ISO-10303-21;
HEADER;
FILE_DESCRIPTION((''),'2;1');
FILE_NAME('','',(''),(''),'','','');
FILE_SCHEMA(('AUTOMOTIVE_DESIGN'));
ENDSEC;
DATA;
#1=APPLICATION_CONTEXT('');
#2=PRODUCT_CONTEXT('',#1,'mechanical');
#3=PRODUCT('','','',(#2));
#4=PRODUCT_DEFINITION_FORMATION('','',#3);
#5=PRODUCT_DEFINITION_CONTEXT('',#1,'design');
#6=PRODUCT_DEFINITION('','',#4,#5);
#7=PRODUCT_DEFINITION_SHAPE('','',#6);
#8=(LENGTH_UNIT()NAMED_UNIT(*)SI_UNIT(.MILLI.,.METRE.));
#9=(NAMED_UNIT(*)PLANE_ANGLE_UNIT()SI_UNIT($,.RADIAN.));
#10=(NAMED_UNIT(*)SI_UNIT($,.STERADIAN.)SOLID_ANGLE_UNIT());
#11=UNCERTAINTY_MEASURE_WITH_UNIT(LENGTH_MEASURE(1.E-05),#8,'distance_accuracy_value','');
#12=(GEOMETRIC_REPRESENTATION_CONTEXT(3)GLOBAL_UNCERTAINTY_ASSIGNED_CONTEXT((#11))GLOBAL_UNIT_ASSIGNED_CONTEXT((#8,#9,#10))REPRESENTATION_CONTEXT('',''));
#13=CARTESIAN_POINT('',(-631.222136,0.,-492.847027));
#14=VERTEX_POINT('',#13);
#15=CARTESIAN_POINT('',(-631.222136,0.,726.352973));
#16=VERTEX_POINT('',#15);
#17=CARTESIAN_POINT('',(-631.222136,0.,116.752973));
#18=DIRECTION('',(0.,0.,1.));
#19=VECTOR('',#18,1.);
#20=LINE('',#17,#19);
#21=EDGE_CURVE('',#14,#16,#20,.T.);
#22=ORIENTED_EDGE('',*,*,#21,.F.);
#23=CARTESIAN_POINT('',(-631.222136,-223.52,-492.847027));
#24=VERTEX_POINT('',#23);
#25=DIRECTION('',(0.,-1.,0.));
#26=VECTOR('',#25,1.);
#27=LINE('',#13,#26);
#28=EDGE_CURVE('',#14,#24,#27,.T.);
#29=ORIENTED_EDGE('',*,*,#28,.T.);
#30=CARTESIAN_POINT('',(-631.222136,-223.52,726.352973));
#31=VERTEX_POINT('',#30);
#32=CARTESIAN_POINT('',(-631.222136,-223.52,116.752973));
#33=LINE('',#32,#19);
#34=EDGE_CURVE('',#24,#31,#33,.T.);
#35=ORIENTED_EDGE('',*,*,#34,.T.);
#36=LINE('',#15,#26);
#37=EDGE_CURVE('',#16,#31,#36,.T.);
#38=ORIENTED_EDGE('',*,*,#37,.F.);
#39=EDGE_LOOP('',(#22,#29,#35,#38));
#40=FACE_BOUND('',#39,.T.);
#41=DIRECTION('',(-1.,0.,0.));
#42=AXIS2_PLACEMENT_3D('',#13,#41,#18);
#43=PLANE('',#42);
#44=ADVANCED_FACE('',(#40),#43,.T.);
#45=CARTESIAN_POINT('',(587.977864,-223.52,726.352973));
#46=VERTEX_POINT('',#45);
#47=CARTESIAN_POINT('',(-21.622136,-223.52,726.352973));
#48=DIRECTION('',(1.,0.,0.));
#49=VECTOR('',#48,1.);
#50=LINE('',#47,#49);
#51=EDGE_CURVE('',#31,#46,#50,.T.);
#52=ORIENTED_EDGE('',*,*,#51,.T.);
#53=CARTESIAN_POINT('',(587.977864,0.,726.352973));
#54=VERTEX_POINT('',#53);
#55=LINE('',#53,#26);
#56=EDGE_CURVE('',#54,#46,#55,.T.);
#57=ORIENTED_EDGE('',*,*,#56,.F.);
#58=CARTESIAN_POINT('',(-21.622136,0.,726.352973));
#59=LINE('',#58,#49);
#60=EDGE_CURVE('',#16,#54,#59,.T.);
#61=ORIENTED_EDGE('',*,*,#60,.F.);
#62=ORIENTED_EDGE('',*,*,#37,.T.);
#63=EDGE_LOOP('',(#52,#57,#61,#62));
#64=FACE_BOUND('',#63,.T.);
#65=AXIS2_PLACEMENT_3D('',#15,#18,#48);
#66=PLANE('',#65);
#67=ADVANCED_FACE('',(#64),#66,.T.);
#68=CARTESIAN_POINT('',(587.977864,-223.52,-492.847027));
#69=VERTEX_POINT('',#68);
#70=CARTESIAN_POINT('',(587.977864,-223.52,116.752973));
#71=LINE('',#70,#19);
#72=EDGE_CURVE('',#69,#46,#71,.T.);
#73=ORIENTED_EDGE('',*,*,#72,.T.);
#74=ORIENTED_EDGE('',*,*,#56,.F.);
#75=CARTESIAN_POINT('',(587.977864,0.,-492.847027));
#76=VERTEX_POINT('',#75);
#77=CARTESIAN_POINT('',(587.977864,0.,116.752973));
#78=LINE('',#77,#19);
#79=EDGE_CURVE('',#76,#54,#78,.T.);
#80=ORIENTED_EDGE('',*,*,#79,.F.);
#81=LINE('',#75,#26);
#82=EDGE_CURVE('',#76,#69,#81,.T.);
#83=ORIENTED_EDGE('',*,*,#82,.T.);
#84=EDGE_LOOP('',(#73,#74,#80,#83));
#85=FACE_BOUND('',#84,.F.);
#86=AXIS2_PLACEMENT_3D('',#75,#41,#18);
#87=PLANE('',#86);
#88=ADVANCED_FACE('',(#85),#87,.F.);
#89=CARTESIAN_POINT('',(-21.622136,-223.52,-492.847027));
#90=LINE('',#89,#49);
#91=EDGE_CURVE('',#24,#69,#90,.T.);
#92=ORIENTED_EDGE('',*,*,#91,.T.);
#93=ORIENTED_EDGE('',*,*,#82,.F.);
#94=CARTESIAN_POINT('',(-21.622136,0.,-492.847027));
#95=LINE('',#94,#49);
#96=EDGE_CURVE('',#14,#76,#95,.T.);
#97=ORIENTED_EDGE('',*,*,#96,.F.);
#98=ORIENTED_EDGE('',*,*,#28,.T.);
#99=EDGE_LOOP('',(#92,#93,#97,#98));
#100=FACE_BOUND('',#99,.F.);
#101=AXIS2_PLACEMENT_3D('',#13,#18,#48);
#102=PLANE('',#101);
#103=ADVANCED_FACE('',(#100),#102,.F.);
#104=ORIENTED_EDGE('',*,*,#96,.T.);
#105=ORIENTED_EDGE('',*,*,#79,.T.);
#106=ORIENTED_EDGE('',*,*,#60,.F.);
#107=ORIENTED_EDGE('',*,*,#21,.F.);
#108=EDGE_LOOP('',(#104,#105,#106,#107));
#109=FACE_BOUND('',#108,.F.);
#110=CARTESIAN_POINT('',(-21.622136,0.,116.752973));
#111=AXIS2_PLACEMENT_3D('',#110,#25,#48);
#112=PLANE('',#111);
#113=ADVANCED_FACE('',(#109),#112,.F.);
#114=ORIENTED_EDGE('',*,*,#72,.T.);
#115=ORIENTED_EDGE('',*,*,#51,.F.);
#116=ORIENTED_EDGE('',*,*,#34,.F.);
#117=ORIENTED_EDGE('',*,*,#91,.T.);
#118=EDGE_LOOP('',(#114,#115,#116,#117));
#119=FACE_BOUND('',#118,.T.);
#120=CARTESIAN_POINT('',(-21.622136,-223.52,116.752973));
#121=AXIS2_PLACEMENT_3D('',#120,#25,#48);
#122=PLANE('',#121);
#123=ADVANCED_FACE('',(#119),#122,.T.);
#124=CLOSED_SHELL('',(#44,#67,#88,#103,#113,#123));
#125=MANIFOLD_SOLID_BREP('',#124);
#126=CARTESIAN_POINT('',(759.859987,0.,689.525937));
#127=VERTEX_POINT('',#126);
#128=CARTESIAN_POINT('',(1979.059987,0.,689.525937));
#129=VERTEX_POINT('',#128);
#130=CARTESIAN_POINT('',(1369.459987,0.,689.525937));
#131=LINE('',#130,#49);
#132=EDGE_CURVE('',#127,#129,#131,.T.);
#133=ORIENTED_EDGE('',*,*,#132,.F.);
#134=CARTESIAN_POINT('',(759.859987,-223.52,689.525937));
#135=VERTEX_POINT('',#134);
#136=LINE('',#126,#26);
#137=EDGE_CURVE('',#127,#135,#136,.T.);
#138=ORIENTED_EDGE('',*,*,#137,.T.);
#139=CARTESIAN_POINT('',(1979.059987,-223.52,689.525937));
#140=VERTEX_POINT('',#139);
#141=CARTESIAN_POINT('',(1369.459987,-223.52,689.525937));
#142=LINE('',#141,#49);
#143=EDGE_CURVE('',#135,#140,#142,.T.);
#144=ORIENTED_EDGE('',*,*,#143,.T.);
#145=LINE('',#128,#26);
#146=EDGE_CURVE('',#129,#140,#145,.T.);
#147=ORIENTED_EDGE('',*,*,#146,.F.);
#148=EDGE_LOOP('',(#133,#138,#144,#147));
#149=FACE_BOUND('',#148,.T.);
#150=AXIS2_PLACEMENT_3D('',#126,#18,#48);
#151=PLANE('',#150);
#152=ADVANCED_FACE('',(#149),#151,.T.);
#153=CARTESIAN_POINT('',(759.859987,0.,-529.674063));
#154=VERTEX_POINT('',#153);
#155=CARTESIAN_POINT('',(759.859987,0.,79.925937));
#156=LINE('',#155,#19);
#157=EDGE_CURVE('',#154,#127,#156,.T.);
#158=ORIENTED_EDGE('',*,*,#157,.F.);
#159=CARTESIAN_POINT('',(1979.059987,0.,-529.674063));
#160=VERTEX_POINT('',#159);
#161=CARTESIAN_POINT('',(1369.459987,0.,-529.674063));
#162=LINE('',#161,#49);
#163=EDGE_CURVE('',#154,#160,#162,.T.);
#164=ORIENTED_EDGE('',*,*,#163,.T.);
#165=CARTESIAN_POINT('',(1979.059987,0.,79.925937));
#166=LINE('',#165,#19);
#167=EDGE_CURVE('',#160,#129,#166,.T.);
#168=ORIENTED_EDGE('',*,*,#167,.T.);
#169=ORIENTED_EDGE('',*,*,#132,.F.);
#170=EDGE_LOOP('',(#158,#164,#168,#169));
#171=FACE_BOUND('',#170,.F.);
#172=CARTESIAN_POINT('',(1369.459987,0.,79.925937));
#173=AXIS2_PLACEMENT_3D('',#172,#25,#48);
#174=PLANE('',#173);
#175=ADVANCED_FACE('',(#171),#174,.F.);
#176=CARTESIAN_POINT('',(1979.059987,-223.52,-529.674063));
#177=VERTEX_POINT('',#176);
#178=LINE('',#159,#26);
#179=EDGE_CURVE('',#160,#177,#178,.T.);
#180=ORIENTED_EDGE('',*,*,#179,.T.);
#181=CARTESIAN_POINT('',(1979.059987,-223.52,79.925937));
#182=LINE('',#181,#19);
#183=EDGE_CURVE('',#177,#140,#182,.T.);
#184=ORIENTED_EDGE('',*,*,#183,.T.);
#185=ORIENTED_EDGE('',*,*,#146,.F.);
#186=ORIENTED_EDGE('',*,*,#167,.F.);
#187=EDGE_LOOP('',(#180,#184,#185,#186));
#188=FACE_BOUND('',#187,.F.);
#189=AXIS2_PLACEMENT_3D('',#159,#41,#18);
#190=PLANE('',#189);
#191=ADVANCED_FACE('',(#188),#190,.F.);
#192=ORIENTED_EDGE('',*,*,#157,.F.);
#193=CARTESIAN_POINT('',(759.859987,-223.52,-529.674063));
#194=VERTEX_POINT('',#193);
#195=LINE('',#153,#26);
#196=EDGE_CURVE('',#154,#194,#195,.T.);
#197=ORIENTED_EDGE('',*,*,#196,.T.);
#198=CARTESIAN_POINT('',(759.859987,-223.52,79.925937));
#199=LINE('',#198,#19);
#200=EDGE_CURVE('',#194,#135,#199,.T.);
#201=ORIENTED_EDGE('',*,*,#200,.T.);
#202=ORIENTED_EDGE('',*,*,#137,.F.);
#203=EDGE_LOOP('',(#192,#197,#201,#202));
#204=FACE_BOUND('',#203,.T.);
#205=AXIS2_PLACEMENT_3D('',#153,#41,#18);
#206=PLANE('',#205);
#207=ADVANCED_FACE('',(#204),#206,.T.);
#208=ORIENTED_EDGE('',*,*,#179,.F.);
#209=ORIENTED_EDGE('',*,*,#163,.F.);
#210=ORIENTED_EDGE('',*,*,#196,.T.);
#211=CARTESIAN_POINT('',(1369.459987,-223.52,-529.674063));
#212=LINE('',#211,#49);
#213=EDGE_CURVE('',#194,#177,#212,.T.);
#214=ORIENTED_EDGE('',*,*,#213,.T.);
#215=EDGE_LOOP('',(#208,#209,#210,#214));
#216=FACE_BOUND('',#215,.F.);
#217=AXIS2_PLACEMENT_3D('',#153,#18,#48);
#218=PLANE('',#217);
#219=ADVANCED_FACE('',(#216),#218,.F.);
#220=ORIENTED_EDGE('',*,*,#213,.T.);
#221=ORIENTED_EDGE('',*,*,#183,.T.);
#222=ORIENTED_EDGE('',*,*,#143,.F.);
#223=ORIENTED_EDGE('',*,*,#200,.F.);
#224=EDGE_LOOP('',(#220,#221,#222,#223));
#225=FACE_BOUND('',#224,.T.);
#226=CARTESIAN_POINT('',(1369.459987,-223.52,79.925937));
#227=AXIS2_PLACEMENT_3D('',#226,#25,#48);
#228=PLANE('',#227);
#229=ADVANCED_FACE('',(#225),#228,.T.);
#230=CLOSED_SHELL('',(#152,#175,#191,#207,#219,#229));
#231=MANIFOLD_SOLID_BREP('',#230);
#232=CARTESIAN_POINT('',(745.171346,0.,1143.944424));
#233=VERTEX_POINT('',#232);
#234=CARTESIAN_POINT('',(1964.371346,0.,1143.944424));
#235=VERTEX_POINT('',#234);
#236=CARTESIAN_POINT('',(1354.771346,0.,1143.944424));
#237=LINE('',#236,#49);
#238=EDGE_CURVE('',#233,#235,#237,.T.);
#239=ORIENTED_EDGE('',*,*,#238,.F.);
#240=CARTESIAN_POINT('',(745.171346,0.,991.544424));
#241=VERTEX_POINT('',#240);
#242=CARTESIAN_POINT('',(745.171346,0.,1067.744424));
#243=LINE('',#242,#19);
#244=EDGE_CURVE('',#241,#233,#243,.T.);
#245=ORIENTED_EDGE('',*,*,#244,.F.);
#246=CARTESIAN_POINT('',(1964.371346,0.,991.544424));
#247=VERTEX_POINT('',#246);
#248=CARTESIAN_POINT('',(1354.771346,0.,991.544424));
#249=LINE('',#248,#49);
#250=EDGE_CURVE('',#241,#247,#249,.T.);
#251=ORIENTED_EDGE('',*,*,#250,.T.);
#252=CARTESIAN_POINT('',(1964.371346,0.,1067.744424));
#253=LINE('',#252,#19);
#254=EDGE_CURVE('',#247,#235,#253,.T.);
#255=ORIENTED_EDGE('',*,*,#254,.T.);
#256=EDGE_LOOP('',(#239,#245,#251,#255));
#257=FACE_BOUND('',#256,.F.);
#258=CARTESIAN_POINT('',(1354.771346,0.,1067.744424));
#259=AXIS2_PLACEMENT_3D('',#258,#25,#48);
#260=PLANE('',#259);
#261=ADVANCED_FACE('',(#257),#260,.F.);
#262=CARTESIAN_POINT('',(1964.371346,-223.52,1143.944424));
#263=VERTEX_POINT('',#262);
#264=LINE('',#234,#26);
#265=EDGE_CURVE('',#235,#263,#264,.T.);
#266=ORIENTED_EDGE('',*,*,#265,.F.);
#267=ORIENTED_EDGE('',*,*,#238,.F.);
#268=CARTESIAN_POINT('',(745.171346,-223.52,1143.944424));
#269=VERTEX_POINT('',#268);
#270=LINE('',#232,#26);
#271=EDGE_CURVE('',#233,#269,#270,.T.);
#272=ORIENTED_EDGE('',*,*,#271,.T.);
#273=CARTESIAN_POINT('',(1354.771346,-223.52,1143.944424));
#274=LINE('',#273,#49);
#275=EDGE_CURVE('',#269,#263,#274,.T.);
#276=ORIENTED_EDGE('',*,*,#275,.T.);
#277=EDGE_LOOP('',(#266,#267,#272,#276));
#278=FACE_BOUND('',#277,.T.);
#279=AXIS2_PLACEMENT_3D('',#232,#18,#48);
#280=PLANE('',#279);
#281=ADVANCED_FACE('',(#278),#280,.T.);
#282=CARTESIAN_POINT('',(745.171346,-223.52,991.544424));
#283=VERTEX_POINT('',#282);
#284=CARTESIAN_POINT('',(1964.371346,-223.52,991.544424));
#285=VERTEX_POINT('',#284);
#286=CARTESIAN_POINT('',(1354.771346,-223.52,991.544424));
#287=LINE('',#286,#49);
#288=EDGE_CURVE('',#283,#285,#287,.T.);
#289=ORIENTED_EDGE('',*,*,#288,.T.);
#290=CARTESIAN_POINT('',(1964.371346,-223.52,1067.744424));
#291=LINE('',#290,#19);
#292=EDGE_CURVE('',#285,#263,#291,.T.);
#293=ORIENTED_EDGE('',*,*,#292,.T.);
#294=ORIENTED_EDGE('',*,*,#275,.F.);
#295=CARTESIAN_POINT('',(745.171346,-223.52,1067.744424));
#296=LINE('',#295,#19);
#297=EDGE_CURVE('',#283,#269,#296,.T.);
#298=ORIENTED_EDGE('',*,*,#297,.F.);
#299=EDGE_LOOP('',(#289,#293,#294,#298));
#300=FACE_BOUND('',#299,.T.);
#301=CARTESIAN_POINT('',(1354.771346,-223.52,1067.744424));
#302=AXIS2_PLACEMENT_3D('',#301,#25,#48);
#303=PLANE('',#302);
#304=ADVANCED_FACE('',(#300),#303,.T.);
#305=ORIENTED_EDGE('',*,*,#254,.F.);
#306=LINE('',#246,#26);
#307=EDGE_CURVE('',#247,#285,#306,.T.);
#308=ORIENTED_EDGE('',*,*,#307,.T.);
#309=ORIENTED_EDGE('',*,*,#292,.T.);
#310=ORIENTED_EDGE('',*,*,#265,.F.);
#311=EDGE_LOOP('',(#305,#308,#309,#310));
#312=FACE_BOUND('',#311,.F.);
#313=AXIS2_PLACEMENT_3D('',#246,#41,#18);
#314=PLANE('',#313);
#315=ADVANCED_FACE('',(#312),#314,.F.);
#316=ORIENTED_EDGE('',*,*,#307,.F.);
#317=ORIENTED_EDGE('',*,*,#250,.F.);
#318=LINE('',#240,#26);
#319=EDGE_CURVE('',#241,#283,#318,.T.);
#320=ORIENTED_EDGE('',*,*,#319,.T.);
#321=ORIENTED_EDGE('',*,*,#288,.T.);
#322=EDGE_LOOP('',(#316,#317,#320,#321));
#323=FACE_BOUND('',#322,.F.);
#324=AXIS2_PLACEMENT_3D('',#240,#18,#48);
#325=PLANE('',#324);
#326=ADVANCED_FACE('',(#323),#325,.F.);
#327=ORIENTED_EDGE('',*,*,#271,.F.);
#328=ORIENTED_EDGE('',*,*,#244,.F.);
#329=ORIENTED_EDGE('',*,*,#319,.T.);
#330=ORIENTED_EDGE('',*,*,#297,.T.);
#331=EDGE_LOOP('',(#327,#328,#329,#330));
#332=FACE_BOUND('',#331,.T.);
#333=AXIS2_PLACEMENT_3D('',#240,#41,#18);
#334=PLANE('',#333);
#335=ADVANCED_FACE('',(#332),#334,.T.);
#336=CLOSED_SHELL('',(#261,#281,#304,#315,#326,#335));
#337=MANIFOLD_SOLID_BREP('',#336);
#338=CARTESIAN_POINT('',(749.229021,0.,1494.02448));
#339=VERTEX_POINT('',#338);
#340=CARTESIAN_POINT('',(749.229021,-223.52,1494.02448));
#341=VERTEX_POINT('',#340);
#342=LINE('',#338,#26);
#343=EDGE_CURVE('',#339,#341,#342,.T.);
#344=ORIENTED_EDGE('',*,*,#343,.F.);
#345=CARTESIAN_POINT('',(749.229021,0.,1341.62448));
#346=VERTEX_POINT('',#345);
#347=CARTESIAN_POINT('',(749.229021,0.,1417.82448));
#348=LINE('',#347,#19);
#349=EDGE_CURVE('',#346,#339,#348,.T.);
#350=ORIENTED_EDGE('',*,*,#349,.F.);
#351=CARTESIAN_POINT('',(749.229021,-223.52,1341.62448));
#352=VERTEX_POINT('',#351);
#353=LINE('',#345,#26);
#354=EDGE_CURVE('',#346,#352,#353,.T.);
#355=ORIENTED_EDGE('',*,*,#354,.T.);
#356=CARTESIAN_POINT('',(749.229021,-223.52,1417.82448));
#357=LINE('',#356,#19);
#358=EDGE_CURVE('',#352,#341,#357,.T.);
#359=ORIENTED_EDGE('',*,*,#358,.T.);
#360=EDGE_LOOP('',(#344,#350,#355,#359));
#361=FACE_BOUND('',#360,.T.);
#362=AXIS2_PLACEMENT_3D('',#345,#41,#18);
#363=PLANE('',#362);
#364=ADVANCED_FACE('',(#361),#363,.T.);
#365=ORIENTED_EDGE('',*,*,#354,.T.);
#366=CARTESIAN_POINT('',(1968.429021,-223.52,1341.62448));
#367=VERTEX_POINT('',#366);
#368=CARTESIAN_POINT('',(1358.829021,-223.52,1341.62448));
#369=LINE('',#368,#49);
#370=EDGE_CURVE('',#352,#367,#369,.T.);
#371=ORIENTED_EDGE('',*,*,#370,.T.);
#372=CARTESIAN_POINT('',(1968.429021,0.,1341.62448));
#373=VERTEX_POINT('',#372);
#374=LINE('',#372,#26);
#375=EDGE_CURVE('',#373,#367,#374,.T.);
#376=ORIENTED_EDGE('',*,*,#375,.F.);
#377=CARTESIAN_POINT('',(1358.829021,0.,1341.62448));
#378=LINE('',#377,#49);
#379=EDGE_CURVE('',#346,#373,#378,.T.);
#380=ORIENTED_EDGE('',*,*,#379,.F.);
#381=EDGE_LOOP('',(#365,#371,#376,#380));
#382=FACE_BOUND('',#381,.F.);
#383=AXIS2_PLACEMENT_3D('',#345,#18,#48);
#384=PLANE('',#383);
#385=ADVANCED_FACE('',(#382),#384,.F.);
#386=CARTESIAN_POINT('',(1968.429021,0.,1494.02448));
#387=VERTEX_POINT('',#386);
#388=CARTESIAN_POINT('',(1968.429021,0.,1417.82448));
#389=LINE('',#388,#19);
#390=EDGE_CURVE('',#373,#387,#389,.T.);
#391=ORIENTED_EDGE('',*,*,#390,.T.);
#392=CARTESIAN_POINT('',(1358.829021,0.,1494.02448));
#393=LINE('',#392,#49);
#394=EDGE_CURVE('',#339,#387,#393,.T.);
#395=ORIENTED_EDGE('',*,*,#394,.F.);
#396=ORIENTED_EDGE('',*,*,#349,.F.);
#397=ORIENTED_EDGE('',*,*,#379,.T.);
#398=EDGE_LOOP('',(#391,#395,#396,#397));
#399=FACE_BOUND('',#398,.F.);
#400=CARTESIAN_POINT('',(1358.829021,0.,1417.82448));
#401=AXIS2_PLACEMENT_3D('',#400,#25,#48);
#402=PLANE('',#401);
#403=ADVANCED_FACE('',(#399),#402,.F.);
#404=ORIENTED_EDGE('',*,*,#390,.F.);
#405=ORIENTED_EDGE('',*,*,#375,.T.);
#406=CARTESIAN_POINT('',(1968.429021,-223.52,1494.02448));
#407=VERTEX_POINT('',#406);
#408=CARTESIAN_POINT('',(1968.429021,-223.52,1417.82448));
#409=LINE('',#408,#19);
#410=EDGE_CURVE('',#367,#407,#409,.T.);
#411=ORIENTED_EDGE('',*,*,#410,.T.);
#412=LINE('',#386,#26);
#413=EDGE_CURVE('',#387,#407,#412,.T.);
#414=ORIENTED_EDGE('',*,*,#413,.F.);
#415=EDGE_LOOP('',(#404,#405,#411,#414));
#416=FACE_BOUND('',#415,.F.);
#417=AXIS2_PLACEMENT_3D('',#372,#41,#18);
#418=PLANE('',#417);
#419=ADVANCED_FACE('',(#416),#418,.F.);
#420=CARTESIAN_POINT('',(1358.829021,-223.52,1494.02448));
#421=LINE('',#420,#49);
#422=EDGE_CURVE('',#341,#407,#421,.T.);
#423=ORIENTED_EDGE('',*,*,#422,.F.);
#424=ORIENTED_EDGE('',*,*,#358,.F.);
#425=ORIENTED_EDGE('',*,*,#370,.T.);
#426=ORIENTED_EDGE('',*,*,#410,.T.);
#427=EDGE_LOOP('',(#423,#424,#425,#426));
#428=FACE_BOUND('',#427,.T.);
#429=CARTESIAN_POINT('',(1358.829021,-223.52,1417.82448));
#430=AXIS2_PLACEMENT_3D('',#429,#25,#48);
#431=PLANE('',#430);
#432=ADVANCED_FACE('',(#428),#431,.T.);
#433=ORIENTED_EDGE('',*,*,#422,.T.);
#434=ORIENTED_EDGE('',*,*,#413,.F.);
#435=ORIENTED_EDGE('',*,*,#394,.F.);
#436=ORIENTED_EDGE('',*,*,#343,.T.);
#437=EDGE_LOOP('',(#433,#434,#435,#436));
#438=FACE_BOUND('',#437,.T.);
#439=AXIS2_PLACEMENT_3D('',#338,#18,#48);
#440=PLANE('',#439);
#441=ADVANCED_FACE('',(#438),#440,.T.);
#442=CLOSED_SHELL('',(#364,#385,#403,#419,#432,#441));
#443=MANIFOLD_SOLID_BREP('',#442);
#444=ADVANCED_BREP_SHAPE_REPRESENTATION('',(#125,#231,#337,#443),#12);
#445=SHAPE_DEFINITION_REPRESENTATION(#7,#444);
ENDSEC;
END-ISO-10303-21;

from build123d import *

# Parameters (mm, degrees)
F0_W     = 1219.2
F0_H     = 1219.2
F3_W     = 1219.2
F3_H     = 1219.2
F2_W     = 1219.2
F2_H     = 152.4
F1_W     = 1219.2
F1_H     = 152.4
F4_DEPTH = 223.52


with BuildPart() as f4:
    # F0 (on Front) + F3 (on Front) + F2 (on Front) + F1 (on Front) → F4 (new body)
    with BuildSketch(Plane.XZ):
        with Locations((-21.622136, 116.752973)):
            Rectangle(F0_W, F0_H)
    with BuildSketch(Plane.XZ):
        with Locations((1369.459987, 79.925937)):
            Rectangle(F3_W, F3_H)
    with BuildSketch(Plane.XZ):
        with Locations((1354.771346, 1067.744424)):
            Rectangle(F2_W, F2_H)
    with BuildSketch(Plane.XZ):
        with Locations((1358.829021, 1417.82448)):
            Rectangle(F1_W, F1_H)
    extrude(amount=F4_DEPTH)


solid = f4.part
